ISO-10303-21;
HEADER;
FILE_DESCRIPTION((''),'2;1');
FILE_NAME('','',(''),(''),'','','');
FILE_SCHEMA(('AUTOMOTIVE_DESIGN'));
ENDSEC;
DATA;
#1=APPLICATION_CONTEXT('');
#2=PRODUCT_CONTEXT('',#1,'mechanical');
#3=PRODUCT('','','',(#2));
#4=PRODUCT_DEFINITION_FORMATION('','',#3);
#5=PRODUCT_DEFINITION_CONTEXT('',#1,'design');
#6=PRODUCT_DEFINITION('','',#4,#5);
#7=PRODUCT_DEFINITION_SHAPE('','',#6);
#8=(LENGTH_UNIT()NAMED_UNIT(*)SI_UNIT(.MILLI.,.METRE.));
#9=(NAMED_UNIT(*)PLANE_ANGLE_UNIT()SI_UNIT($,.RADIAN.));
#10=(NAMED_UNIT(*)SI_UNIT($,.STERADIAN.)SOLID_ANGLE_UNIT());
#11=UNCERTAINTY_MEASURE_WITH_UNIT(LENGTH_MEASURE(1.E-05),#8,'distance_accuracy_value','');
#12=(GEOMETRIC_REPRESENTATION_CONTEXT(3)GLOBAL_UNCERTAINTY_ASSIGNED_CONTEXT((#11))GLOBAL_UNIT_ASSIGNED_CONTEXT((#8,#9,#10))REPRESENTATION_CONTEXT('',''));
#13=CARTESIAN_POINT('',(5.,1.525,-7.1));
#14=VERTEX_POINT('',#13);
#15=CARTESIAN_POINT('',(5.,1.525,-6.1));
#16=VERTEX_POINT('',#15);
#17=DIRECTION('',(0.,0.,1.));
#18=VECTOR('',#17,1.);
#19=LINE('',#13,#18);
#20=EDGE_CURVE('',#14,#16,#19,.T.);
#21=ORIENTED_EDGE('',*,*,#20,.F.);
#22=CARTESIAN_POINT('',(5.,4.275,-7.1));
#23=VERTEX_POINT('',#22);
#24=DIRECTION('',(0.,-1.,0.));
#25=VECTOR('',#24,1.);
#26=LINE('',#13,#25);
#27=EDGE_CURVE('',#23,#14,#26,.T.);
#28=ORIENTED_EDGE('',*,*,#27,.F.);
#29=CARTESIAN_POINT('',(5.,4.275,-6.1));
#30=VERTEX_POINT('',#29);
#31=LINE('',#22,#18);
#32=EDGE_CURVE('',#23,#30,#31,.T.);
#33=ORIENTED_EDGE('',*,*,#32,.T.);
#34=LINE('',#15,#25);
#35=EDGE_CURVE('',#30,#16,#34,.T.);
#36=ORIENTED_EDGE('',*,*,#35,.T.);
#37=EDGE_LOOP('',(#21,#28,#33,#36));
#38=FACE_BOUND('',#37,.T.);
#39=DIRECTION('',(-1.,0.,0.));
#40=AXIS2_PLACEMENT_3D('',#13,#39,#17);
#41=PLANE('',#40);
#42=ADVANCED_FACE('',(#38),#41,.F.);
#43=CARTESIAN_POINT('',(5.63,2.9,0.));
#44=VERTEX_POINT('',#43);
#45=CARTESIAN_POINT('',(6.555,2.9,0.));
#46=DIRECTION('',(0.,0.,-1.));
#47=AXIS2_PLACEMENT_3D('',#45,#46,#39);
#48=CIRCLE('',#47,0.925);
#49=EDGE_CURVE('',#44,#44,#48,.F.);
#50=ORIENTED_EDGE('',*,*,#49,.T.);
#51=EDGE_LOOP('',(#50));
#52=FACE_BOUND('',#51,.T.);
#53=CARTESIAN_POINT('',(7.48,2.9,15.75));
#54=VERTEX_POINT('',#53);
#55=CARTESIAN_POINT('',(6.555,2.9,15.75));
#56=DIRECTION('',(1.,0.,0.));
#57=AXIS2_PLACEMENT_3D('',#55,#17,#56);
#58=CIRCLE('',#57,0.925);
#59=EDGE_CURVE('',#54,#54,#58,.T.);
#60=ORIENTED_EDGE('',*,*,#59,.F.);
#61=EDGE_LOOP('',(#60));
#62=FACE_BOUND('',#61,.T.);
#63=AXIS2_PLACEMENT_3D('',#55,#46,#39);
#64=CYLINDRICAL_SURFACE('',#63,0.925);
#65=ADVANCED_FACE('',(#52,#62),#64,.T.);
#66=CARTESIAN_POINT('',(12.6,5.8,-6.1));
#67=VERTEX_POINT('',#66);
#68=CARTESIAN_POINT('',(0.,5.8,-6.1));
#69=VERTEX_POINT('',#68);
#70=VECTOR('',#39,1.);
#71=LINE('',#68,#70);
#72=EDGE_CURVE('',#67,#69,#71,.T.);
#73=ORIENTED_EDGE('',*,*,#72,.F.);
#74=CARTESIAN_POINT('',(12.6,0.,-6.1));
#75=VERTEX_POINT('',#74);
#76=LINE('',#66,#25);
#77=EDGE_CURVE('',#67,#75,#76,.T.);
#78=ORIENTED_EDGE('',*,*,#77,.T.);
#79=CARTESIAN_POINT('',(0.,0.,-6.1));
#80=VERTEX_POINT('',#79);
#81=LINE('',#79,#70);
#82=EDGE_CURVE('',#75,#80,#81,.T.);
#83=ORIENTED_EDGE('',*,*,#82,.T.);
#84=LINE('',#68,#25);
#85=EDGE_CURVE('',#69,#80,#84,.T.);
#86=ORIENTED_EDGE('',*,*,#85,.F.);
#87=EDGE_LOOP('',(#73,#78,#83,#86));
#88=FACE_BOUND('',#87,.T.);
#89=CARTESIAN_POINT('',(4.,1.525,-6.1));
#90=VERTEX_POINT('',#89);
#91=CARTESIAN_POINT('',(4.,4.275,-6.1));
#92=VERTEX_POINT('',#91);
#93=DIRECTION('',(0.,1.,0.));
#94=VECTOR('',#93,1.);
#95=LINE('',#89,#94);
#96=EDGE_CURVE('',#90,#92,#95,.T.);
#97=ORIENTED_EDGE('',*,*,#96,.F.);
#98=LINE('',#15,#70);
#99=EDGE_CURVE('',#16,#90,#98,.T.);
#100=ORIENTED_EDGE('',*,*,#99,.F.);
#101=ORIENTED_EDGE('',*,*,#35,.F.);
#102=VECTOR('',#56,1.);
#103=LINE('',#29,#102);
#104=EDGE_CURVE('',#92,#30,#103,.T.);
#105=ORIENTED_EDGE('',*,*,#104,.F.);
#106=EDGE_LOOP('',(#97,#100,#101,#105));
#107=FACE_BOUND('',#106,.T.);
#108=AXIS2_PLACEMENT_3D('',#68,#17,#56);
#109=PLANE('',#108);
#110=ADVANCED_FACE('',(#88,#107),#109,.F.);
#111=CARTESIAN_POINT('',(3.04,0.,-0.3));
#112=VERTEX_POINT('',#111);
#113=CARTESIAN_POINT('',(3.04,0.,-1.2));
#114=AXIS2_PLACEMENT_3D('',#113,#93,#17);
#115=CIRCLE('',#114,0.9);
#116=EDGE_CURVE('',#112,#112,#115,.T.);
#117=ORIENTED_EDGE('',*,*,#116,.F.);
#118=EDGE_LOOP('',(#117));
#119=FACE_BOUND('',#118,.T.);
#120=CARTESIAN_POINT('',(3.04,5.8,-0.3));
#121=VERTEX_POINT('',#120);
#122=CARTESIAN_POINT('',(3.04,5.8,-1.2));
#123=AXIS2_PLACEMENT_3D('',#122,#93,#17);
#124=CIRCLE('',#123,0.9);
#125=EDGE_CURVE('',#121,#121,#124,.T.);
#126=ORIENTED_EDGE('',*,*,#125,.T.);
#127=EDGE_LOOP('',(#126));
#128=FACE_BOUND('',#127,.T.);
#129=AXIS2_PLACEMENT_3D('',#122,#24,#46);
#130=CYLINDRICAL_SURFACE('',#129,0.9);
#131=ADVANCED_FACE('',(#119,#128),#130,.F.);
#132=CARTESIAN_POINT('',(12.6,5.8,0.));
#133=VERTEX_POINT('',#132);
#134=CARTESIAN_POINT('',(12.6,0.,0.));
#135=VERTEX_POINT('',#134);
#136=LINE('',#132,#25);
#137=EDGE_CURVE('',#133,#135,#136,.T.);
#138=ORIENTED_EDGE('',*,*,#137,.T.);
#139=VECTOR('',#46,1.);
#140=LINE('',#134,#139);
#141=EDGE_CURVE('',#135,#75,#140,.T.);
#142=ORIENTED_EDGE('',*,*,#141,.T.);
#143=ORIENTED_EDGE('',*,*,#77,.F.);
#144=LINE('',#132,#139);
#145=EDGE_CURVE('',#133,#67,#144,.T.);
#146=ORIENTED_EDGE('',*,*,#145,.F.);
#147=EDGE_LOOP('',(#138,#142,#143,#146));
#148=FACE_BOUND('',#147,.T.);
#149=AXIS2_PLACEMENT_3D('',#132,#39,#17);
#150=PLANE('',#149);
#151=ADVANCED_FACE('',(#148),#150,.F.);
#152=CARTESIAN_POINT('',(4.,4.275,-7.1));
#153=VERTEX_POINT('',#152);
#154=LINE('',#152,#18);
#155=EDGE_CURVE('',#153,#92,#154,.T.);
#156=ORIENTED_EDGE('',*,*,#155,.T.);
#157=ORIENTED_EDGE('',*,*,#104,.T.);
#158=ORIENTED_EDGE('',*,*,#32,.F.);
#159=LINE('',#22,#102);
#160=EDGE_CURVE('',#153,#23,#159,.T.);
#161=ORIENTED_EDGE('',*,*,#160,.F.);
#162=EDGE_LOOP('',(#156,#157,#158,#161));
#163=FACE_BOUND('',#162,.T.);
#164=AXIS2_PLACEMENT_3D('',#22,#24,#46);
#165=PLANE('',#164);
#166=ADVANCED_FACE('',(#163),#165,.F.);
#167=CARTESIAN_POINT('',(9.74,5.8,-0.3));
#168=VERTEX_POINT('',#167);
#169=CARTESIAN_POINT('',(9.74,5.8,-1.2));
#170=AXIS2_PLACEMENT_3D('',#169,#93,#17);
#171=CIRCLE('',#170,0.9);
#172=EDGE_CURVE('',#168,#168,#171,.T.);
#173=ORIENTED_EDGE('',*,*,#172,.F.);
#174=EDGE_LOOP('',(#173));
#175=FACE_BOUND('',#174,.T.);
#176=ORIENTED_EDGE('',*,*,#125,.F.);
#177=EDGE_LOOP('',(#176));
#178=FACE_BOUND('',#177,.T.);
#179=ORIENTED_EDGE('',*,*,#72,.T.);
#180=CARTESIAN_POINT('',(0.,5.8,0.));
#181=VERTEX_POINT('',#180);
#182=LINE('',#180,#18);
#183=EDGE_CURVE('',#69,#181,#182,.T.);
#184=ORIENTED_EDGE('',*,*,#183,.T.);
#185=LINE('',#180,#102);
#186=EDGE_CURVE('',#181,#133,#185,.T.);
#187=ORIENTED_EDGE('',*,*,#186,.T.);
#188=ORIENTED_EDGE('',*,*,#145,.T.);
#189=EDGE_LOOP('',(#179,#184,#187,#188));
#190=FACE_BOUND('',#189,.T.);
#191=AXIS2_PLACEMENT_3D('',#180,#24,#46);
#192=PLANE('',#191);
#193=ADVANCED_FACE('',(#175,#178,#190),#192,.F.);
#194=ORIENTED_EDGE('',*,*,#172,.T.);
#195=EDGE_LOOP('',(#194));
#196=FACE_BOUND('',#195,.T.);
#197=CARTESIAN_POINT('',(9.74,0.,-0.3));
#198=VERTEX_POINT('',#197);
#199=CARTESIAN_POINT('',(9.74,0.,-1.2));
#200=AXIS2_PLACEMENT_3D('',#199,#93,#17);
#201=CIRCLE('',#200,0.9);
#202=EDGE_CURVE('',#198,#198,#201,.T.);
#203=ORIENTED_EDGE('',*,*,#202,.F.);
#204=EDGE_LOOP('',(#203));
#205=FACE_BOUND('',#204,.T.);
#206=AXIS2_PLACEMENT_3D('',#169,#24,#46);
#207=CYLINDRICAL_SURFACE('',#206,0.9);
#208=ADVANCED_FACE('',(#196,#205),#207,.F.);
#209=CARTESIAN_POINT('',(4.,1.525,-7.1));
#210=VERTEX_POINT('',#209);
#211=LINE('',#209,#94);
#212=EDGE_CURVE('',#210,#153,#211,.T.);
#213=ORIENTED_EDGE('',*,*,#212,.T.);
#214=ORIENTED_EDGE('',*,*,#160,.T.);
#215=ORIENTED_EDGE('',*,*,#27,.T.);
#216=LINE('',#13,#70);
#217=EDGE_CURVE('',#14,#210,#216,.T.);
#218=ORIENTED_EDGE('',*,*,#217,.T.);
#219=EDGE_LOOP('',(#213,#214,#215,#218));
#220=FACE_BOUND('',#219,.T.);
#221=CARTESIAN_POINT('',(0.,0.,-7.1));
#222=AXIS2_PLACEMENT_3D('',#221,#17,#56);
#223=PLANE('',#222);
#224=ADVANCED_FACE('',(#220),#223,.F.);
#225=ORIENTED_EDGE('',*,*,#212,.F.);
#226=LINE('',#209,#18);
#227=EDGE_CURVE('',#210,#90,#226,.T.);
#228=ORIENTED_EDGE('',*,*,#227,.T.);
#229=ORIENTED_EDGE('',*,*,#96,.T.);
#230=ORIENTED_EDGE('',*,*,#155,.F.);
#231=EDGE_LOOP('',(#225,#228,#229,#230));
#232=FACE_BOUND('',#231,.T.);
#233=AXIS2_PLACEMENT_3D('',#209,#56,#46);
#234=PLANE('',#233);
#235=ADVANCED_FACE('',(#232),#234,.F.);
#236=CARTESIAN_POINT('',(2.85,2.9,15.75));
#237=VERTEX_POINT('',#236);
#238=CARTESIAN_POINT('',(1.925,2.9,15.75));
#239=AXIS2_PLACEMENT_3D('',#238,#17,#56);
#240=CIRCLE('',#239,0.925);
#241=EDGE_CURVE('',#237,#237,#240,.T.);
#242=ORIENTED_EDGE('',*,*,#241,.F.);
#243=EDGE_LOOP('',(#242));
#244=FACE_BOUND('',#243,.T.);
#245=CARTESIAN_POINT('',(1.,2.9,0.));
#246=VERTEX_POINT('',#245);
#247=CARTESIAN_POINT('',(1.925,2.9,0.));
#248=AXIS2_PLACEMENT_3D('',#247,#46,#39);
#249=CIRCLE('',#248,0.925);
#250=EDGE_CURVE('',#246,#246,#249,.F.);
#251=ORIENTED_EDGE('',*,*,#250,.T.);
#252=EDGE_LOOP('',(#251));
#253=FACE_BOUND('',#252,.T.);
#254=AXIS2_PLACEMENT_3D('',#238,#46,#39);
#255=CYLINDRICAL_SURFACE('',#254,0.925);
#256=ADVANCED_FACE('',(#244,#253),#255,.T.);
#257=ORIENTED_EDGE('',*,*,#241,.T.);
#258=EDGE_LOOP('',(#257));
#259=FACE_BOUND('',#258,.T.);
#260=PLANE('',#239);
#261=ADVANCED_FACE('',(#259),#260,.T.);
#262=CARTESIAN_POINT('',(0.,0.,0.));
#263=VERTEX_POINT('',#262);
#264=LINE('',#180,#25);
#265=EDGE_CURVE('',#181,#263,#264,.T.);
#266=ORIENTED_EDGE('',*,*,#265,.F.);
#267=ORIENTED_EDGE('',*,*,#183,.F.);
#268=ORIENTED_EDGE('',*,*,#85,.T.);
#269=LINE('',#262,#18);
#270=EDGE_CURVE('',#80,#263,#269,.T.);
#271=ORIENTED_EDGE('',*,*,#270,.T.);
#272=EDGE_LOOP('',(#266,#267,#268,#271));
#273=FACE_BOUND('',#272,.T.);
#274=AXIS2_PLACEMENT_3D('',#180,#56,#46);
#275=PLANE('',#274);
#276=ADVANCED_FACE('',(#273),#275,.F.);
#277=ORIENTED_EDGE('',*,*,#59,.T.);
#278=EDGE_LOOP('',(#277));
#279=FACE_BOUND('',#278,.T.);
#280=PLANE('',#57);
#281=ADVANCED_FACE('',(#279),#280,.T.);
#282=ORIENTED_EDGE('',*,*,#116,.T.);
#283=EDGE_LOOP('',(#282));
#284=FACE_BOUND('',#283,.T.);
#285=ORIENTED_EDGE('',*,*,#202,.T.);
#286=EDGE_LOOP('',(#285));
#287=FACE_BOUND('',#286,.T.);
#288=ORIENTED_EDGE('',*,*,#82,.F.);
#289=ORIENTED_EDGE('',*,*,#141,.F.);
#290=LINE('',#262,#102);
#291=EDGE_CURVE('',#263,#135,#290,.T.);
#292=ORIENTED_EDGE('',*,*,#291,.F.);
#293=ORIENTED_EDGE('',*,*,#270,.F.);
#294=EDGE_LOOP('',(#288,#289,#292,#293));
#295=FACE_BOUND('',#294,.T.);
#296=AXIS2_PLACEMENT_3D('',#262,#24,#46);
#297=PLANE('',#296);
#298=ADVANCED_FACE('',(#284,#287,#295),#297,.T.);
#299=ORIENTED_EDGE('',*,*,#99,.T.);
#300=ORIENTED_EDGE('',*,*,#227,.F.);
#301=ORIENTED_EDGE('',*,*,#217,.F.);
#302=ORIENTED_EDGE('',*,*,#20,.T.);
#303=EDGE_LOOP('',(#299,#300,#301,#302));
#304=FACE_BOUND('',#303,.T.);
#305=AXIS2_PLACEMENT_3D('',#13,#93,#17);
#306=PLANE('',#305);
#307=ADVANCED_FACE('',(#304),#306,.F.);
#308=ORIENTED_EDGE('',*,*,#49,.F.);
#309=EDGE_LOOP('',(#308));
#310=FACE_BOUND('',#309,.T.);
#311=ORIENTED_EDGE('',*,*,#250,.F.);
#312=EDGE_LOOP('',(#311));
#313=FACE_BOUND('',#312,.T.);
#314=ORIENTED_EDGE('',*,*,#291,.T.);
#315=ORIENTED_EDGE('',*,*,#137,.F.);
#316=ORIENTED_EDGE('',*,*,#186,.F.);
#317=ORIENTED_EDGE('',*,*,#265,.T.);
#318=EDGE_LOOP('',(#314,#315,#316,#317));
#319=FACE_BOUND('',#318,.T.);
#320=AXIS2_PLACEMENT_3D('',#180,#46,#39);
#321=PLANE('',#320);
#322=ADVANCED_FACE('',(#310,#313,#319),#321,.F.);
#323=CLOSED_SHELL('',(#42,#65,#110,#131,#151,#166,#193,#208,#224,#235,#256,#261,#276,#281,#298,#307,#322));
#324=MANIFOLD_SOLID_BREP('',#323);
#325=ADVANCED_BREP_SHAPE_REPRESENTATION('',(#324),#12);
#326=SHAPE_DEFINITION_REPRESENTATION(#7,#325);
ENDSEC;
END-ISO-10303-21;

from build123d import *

# Parameters (mm, degrees)
SKETCH1_W           = 12.6
SKETCH1_H           = 6.1
SKETCH1_R           = 0.9
BOSS_EXTRUDE1_DEPTH = 5.8
SKETCH2_W           = 1
SKETCH2_H           = 2.75
BOSS_EXTRUDE2_DEPTH = 1
SKETCH3_R           = 0.925
BOSS_EXTRUDE3_DEPTH = 15.75


with BuildPart() as part:
    # Sketch1 → Boss-Extrude1 (new body)
    with BuildSketch(Plane(origin=(0, 0, 0), x_dir=(1, 0, 0), z_dir=(0, 1, 0))):
        with Locations((6.3, 3.05)):
            Rectangle(SKETCH1_W, SKETCH1_H)
        with Locations(Location((3.04, 1.2, 0), (0, 0, 270))):
            Circle(SKETCH1_R, mode=Mode.SUBTRACT)
        with Locations(Location((9.74, 1.2, 0), (0, 0, 270))):
            Circle(SKETCH1_R, mode=Mode.SUBTRACT)
    extrude(amount=BOSS_EXTRUDE1_DEPTH)

    # Sketch2 → Boss-Extrude2 (add)
    with BuildSketch(Plane(origin=(0, 0, -6.1), x_dir=(-1, 0, 0), z_dir=(0, 0, -1))):
        with Locations((-4.5, 2.9)):
            Rectangle(SKETCH2_W, SKETCH2_H)
    extrude(amount=BOSS_EXTRUDE2_DEPTH)

    # Sketch3 → Boss-Extrude3 (add)
    with BuildSketch(Plane.XY):
        with Locations(Location((1.925, 2.9, 0), (0, 0, 180))):
            Circle(SKETCH3_R)
        with Locations(Location((6.555, 2.9, 0), (0, 0, 180))):
            Circle(SKETCH3_R)
    extrude(amount=BOSS_EXTRUDE3_DEPTH)


solid = part.part
